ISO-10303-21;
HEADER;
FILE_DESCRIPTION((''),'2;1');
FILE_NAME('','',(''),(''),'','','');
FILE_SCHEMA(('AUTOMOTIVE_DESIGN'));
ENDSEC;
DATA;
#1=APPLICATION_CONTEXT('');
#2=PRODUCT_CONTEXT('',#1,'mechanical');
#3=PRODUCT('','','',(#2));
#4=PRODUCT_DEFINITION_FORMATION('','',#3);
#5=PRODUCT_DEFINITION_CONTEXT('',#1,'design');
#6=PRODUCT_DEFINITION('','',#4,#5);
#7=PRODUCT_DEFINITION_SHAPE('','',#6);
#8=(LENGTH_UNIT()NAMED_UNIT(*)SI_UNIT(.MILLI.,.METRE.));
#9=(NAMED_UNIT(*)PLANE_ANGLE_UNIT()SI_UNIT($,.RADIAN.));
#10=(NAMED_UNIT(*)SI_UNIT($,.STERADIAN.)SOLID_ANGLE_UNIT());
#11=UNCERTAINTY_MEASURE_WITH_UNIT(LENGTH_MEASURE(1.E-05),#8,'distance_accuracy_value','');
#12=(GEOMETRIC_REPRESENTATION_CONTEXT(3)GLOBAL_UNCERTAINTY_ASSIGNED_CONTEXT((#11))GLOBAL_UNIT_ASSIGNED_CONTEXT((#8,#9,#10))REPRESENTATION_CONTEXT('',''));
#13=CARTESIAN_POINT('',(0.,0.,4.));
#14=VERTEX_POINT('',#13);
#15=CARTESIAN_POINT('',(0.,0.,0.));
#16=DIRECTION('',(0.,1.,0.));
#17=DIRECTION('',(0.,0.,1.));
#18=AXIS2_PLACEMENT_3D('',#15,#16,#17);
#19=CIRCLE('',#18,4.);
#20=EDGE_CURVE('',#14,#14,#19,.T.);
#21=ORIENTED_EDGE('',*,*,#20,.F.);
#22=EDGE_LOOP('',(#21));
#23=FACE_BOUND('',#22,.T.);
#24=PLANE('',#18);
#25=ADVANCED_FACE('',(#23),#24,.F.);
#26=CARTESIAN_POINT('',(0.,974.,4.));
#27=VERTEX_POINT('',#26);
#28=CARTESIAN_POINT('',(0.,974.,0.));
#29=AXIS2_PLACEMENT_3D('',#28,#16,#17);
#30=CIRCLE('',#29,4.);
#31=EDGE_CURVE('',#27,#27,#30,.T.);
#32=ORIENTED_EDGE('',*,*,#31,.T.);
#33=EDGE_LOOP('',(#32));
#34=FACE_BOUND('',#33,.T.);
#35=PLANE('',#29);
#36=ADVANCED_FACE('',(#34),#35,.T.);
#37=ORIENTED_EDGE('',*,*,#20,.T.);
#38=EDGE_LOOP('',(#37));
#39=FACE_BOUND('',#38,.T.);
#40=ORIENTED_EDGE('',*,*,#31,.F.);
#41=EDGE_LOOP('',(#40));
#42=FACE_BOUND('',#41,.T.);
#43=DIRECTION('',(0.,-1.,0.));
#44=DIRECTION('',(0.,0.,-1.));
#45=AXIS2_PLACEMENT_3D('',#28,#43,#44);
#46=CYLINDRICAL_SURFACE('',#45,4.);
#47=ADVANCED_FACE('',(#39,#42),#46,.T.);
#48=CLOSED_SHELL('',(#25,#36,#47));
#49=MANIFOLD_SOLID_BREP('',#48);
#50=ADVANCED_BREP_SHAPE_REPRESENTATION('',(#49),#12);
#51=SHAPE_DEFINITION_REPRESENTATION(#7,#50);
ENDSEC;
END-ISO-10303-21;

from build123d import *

# Parameters (mm, degrees)
SKETCH1_R           = 4
BOSS_EXTRUDE1_DEPTH = 974


with BuildPart() as part:
    # Sketch1 → Boss-Extrude1 (new body)
    with BuildSketch(Plane(origin=(0, 0, 0), x_dir=(1, 0, 0), z_dir=(0, 1, 0))):
        Circle(SKETCH1_R)
    extrude(amount=BOSS_EXTRUDE1_DEPTH)


solid = part.part
